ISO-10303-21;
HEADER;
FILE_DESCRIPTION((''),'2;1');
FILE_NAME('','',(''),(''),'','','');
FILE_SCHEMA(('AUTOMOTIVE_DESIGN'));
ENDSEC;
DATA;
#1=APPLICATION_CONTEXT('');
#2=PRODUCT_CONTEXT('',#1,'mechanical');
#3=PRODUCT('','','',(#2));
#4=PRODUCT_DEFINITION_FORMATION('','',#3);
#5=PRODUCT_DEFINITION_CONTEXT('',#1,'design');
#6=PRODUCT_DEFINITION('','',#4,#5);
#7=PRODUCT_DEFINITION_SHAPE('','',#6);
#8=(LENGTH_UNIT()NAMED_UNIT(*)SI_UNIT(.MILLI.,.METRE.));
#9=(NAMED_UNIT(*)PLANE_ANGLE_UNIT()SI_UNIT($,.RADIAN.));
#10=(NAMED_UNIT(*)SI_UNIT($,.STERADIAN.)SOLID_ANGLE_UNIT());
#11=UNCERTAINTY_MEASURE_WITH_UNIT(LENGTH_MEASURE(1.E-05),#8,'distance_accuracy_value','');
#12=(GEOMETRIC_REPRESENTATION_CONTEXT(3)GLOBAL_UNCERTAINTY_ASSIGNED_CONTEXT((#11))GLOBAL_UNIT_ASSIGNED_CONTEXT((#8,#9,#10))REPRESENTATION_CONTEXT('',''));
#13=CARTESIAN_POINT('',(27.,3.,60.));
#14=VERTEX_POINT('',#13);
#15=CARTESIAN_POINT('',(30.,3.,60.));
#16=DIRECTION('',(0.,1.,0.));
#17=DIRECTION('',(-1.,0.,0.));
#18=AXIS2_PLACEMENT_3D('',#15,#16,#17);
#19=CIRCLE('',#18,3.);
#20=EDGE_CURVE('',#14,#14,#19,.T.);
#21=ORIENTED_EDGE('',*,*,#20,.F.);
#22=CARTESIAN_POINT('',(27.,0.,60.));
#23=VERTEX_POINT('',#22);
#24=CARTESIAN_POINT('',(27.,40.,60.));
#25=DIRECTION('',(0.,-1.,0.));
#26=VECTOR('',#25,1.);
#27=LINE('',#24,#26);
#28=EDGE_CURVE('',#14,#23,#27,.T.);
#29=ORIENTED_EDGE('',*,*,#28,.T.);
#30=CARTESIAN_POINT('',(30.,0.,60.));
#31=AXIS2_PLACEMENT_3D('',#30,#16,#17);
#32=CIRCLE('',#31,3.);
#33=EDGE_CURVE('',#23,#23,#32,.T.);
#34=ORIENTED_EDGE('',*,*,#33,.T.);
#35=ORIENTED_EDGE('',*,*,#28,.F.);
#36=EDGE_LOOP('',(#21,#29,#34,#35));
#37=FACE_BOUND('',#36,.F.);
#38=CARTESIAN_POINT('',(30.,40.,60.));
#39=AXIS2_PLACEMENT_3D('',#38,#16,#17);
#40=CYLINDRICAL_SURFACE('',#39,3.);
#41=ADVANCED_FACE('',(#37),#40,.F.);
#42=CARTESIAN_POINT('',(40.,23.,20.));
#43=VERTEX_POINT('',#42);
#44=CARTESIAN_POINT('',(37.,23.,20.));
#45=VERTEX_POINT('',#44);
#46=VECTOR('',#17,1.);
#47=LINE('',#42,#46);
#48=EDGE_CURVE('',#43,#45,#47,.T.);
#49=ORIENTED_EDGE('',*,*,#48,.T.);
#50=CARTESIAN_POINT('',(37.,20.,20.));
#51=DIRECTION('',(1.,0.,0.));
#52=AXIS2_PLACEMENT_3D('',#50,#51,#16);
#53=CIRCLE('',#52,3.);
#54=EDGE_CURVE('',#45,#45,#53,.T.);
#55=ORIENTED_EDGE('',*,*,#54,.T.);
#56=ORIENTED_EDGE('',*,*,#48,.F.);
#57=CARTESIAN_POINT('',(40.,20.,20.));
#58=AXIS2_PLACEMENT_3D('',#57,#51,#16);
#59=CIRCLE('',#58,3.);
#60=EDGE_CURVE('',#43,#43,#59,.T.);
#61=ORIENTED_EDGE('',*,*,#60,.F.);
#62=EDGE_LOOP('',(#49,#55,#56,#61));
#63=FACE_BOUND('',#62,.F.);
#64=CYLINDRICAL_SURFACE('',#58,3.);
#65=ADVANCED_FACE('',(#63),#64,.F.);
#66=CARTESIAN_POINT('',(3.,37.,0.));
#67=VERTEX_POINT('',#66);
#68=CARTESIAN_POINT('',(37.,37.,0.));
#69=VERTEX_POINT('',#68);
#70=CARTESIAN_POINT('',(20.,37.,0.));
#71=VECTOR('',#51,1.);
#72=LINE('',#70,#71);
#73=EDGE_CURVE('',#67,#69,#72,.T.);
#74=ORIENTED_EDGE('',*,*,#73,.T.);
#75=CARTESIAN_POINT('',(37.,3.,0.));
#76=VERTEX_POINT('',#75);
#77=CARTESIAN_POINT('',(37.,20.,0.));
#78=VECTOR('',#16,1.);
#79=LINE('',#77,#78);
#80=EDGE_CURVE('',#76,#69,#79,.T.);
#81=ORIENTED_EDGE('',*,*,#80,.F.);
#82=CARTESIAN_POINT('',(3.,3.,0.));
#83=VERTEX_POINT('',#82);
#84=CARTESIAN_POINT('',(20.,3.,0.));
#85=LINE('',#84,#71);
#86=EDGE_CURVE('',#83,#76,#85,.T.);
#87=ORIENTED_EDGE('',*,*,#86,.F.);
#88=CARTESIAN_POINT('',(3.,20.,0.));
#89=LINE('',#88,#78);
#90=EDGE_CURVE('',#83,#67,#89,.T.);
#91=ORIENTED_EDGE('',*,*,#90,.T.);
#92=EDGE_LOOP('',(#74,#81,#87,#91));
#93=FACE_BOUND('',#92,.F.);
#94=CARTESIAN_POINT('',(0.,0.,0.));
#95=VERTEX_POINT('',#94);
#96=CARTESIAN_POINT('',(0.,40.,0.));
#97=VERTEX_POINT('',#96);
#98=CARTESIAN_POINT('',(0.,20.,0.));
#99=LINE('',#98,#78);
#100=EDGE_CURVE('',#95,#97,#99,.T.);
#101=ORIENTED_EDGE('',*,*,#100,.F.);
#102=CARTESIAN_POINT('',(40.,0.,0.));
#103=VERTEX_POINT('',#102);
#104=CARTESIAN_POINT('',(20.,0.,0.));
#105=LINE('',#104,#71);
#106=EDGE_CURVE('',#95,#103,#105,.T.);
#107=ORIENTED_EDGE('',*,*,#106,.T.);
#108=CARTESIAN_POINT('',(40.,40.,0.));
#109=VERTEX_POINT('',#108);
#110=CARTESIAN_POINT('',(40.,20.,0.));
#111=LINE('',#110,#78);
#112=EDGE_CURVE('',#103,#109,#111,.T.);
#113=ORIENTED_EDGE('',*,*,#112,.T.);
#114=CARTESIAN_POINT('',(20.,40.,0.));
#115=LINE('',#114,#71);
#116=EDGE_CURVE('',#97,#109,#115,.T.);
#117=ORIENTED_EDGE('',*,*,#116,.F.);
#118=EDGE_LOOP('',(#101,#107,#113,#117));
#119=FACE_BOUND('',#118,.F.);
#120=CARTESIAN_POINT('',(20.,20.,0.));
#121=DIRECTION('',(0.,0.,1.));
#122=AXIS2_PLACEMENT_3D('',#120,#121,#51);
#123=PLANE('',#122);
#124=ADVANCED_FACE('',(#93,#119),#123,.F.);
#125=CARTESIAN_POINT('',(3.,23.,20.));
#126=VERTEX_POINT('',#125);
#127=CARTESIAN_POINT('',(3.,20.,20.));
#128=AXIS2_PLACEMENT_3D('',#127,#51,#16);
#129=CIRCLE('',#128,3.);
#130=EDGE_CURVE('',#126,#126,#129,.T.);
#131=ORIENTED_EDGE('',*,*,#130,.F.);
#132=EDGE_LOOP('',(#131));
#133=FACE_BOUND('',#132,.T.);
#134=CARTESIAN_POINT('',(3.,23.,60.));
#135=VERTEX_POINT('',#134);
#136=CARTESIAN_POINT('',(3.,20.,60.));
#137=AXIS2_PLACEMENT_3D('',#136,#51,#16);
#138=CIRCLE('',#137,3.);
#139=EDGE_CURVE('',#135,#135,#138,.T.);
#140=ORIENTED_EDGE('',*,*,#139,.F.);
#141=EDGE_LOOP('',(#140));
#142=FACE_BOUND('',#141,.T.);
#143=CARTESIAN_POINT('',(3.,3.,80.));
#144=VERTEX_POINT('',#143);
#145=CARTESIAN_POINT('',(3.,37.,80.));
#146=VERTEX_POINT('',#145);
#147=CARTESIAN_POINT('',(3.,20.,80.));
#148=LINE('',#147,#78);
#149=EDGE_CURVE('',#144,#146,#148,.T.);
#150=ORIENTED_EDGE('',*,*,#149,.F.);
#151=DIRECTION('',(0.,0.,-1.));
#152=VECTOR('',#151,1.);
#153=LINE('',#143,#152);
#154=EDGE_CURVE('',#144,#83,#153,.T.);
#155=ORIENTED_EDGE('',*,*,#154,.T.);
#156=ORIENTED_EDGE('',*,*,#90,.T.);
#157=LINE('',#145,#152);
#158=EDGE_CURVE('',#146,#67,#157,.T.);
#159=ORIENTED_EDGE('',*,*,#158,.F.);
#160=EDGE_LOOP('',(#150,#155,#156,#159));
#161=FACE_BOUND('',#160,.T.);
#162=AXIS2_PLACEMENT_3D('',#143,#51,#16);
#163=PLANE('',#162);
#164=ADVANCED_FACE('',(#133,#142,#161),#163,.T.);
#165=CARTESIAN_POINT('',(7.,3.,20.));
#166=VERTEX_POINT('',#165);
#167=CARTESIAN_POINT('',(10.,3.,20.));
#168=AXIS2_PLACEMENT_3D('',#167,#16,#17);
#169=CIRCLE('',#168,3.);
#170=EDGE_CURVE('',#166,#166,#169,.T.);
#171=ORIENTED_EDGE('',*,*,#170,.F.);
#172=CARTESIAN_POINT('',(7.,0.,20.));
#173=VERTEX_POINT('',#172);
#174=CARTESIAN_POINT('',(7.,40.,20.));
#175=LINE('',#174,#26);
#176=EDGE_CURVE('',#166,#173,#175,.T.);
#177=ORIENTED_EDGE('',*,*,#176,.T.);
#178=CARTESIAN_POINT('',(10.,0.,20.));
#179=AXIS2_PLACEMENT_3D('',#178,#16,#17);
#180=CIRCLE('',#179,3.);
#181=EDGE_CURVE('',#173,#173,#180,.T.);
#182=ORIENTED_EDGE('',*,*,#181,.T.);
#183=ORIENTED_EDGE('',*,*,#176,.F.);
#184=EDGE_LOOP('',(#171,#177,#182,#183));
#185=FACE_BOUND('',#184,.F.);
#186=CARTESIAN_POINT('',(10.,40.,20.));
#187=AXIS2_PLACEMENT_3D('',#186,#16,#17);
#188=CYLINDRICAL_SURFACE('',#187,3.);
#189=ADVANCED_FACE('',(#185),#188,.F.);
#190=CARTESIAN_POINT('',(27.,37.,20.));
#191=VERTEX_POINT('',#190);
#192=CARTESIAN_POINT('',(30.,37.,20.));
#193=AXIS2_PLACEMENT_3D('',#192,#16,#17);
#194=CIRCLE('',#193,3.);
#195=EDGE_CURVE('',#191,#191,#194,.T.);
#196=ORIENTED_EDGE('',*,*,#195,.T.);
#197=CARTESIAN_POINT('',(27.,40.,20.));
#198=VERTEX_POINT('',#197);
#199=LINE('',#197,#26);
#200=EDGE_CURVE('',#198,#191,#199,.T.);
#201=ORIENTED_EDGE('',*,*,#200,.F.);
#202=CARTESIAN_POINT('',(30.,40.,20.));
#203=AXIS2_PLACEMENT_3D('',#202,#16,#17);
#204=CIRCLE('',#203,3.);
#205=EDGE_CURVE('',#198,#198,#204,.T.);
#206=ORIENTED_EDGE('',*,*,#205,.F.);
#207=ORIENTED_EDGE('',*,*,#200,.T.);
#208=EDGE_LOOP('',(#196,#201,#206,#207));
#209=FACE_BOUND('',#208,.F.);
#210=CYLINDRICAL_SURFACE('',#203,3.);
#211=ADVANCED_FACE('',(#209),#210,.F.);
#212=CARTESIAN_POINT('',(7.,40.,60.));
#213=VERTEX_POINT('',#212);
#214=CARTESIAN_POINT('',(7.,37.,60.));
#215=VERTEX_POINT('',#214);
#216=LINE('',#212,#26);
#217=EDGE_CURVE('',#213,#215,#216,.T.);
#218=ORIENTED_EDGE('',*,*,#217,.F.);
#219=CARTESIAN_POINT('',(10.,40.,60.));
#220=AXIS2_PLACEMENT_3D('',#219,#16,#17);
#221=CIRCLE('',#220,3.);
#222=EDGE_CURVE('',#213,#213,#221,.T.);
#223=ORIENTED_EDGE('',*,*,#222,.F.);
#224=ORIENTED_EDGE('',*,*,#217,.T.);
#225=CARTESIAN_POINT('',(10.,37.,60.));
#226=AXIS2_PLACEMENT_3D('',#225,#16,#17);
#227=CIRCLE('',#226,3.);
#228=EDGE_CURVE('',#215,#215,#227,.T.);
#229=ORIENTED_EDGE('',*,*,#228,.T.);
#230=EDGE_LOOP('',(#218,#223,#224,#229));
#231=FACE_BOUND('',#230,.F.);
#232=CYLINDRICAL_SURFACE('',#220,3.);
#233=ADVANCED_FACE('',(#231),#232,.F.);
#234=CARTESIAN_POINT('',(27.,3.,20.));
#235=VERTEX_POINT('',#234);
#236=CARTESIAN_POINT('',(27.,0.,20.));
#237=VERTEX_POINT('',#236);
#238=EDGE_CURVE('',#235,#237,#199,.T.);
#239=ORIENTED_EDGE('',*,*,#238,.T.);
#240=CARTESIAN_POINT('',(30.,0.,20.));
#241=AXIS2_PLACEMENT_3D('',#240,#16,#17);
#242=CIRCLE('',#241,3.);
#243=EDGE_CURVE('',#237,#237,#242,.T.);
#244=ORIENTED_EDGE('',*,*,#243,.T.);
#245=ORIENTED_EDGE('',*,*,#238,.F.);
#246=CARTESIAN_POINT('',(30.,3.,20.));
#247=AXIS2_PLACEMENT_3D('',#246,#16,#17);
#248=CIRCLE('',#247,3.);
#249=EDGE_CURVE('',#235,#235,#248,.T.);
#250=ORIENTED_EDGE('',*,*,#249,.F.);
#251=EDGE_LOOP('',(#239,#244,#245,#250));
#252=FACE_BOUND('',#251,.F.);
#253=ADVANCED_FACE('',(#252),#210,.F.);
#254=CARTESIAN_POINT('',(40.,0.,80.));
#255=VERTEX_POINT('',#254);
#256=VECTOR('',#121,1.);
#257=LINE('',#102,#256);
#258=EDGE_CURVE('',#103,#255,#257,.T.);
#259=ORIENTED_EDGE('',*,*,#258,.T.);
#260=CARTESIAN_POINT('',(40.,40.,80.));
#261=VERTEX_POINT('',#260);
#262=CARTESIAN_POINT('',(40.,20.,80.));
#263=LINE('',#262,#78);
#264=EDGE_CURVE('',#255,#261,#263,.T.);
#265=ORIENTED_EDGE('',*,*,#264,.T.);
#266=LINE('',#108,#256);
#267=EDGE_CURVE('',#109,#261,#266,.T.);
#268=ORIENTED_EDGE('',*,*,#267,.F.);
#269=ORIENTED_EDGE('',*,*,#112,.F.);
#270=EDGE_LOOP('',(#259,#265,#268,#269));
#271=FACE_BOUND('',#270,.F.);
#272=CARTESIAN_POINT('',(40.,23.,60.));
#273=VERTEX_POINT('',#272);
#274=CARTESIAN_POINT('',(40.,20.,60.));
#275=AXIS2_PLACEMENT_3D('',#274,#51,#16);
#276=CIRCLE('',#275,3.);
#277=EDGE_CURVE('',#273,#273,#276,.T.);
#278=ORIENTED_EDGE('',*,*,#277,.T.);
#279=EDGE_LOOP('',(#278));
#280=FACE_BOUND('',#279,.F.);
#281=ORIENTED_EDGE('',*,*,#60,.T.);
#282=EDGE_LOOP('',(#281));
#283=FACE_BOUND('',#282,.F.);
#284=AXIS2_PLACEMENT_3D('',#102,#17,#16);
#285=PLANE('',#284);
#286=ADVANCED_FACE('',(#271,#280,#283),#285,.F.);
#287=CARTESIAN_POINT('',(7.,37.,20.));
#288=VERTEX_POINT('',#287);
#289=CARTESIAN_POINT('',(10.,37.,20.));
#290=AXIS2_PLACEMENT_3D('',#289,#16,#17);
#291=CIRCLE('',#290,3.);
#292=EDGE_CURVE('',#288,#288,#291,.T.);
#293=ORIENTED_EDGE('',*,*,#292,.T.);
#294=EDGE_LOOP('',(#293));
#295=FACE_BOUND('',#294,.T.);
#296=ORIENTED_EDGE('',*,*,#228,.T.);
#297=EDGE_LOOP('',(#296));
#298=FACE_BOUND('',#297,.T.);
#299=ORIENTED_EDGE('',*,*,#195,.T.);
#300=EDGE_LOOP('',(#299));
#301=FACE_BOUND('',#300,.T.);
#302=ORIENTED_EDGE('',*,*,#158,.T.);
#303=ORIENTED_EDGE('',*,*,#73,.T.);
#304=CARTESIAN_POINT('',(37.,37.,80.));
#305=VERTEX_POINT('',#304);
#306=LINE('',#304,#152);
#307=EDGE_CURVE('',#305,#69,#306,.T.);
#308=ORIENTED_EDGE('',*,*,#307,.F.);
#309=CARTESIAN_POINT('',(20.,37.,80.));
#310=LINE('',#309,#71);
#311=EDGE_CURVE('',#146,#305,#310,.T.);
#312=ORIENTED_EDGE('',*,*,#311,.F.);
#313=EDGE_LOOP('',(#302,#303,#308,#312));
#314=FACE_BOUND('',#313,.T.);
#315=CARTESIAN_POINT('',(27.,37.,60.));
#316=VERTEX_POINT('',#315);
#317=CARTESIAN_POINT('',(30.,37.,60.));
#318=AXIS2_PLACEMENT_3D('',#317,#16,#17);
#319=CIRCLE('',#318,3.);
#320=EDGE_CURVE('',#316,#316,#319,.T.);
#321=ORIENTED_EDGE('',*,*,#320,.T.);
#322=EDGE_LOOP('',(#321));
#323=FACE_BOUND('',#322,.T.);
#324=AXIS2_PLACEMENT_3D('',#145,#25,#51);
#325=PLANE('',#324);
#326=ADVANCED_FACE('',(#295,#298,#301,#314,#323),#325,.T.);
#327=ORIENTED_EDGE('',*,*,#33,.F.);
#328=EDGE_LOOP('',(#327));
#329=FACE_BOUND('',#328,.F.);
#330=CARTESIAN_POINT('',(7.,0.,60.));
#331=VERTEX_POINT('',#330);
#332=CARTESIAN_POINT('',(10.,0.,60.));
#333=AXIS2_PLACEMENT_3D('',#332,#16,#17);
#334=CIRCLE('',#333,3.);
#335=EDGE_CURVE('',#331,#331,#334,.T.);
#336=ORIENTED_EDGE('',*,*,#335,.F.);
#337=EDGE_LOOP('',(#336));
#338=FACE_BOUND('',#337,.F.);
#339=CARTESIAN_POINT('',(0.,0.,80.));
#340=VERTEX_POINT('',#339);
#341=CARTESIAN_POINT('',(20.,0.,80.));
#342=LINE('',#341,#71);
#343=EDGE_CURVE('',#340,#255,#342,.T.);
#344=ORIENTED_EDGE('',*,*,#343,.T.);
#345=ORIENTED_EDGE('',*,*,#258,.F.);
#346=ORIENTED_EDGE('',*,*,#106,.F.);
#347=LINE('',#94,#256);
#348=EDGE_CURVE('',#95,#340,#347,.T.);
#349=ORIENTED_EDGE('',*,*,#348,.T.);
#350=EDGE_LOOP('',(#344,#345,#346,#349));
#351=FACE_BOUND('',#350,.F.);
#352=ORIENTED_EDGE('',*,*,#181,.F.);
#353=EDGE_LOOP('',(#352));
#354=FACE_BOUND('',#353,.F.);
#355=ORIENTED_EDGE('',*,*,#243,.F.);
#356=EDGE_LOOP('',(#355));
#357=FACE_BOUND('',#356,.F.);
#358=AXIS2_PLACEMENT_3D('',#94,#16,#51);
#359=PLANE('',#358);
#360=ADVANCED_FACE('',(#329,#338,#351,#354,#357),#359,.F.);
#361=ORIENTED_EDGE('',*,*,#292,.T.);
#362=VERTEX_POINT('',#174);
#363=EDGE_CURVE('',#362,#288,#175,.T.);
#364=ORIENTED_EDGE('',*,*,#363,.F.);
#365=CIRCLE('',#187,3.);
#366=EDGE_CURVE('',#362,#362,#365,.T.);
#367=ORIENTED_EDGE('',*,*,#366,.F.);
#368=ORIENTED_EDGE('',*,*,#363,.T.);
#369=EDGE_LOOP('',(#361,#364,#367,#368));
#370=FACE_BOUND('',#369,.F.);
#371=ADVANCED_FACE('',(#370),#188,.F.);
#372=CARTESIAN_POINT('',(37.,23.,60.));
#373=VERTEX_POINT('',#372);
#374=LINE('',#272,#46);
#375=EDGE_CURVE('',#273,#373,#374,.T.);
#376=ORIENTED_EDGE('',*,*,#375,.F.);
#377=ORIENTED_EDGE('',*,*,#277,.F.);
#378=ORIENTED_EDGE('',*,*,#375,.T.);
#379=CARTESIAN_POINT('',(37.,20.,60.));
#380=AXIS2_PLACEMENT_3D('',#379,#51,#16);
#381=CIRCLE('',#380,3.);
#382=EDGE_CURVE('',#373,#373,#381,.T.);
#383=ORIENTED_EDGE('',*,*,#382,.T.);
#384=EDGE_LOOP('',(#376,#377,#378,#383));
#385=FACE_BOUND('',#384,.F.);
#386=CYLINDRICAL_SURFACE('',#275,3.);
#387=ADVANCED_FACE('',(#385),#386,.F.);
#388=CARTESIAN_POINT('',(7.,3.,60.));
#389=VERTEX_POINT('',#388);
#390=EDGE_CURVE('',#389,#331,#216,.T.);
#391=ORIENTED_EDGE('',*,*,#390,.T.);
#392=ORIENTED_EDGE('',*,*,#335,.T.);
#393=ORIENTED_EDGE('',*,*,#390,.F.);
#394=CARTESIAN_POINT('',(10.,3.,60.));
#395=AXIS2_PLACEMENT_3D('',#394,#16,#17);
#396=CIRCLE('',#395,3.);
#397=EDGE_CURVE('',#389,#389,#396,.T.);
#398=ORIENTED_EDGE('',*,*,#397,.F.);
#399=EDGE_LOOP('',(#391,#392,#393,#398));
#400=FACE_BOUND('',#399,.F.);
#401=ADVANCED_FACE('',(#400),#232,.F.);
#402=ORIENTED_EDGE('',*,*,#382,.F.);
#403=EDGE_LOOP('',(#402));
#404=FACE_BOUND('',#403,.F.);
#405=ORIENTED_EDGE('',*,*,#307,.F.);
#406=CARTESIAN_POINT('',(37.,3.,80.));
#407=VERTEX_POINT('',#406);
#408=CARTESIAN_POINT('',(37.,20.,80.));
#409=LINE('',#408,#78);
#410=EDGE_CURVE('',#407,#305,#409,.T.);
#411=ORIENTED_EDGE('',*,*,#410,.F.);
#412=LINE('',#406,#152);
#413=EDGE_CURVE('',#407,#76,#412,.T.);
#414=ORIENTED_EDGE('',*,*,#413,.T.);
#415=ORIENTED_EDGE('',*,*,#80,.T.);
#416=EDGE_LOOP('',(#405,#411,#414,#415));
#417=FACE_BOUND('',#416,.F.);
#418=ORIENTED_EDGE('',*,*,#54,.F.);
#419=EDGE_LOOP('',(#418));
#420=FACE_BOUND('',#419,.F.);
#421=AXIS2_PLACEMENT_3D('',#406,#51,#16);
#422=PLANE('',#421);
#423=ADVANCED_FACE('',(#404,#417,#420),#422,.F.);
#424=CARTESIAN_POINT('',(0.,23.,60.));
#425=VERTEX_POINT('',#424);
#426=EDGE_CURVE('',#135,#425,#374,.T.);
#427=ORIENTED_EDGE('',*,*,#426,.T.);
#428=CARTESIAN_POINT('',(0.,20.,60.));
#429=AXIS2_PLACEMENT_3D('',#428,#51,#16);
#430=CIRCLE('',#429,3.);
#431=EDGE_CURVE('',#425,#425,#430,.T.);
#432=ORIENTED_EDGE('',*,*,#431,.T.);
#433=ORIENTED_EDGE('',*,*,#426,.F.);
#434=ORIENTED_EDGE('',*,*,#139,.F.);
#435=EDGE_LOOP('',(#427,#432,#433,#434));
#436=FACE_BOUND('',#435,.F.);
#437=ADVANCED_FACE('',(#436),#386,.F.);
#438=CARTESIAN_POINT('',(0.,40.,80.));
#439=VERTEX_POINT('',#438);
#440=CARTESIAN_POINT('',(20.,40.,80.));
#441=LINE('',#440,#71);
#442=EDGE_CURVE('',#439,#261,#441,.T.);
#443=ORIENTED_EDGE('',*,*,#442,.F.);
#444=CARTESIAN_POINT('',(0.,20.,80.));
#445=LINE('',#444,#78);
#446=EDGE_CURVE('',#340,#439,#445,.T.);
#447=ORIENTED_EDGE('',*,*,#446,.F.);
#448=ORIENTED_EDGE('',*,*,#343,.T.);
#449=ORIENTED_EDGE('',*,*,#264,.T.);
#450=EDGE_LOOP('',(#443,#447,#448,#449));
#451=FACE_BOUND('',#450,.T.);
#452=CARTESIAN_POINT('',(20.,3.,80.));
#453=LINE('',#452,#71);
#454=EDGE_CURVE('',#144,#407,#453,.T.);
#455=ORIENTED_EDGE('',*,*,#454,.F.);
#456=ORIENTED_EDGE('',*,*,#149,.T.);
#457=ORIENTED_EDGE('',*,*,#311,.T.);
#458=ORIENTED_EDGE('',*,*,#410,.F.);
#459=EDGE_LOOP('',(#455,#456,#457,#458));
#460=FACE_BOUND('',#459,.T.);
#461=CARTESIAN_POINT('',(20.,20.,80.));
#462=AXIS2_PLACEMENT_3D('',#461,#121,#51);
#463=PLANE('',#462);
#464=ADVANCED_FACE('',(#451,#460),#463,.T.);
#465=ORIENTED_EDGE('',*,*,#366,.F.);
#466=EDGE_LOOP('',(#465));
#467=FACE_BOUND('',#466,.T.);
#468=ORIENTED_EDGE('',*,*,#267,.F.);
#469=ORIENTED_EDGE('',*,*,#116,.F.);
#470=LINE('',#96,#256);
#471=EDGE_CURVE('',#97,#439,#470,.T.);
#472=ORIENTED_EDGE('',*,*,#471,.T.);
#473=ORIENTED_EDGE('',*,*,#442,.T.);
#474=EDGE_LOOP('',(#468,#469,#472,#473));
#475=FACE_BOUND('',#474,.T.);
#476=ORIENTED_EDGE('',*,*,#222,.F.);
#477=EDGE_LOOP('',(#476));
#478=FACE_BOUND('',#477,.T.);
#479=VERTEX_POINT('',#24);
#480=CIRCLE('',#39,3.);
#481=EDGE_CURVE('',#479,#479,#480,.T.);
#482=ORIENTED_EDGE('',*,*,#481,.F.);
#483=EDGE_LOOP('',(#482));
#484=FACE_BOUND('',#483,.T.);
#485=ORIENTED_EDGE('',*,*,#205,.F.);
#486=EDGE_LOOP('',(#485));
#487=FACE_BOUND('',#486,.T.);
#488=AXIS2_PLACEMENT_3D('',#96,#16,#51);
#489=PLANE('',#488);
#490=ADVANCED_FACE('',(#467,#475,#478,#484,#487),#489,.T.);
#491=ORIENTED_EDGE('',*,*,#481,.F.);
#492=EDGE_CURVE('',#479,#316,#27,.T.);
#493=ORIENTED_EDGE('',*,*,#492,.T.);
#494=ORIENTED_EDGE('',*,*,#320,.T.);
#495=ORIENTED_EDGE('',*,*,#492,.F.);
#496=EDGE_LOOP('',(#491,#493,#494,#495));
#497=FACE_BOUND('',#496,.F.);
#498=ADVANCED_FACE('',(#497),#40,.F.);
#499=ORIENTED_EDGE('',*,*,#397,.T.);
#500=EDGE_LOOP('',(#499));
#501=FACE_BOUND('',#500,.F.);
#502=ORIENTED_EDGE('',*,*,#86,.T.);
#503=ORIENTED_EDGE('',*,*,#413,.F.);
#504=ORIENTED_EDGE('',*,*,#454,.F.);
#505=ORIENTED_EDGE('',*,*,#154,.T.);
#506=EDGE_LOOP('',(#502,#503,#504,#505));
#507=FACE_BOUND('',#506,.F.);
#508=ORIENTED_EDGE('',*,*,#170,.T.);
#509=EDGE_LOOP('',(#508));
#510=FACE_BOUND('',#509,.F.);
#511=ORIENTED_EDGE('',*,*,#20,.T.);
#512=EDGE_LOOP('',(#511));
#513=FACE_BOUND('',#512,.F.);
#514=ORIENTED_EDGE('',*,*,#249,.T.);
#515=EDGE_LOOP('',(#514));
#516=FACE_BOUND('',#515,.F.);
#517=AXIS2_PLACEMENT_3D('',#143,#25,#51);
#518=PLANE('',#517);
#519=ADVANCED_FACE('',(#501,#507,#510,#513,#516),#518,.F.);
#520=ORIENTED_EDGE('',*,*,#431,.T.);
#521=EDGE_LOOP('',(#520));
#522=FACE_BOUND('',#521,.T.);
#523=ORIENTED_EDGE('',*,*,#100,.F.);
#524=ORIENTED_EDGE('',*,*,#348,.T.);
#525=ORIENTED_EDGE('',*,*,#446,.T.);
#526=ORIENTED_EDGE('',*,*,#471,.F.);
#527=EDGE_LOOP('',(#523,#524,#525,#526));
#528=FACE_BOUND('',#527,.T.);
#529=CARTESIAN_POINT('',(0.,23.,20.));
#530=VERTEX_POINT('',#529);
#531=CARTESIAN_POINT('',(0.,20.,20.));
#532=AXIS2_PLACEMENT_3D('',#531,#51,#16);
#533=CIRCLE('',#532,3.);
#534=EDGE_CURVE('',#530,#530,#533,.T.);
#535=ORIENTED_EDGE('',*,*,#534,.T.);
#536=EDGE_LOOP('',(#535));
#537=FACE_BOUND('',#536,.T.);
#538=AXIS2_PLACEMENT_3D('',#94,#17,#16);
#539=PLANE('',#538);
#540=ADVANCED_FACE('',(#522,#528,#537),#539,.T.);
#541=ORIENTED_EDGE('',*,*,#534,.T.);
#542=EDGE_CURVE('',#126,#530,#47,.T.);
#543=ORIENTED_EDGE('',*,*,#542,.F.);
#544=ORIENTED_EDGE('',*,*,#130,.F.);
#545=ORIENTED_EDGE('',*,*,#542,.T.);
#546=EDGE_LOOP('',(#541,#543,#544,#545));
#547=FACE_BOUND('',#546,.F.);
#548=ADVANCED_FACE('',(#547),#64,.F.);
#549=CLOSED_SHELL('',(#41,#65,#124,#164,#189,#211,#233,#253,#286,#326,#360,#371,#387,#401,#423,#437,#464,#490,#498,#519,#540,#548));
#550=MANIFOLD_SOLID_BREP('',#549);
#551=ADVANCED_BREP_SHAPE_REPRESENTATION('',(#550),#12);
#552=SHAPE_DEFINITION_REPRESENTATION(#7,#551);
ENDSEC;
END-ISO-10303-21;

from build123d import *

# Parameters (mm, degrees)
SKETCH_W        = 40
SKETCH_H        = 40
PAD_DEPTH       = 80
SKETCH001_W     = 34
SKETCH001_H     = 34
POCKET_DEPTH    = 80
SKETCH002_R     = 3
POCKET001_DEPTH = 40
SKETCH003_R     = 3
POCKET002_DEPTH = 40


with BuildPart() as part:
    # Sketch → Pad (new body)
    with BuildSketch(Plane.XY):
        with Locations((20, 20)):
            Rectangle(SKETCH_W, SKETCH_H)
    extrude(amount=PAD_DEPTH)

    # Sketch001 (on Face6 of Pad) → Pocket (cut)
    with BuildSketch(Plane.XY.offset(80)):
        with Locations((20, 20)):
            Rectangle(SKETCH001_W, SKETCH001_H)
    extrude(amount=-POCKET_DEPTH, mode=Mode.SUBTRACT)

    # Sketch002 (on Face1 of Pocket) → Pocket001 (cut)
    with BuildSketch(Plane(origin=(0, 40, 0), x_dir=(-1, 0, 0), z_dir=(0, 1, 0))):
        with Locations((-30, 60)):
            Circle(SKETCH002_R)
        with Locations((-10, 60)):
            Circle(SKETCH002_R)
        with Locations((-30, 20)):
            Circle(SKETCH002_R)
        with Locations((-10, 20)):
            Circle(SKETCH002_R)
    extrude(amount=-POCKET001_DEPTH, mode=Mode.SUBTRACT)

    # Sketch003 (on Face5 of Pocket001) → Pocket002 (cut)
    with BuildSketch(Plane.YZ.offset(40)):
        with Locations((20, 60)):
            Circle(SKETCH003_R)
        with Locations((20, 20)):
            Circle(SKETCH003_R)
    extrude(amount=-POCKET002_DEPTH, mode=Mode.SUBTRACT)


solid = part.part
